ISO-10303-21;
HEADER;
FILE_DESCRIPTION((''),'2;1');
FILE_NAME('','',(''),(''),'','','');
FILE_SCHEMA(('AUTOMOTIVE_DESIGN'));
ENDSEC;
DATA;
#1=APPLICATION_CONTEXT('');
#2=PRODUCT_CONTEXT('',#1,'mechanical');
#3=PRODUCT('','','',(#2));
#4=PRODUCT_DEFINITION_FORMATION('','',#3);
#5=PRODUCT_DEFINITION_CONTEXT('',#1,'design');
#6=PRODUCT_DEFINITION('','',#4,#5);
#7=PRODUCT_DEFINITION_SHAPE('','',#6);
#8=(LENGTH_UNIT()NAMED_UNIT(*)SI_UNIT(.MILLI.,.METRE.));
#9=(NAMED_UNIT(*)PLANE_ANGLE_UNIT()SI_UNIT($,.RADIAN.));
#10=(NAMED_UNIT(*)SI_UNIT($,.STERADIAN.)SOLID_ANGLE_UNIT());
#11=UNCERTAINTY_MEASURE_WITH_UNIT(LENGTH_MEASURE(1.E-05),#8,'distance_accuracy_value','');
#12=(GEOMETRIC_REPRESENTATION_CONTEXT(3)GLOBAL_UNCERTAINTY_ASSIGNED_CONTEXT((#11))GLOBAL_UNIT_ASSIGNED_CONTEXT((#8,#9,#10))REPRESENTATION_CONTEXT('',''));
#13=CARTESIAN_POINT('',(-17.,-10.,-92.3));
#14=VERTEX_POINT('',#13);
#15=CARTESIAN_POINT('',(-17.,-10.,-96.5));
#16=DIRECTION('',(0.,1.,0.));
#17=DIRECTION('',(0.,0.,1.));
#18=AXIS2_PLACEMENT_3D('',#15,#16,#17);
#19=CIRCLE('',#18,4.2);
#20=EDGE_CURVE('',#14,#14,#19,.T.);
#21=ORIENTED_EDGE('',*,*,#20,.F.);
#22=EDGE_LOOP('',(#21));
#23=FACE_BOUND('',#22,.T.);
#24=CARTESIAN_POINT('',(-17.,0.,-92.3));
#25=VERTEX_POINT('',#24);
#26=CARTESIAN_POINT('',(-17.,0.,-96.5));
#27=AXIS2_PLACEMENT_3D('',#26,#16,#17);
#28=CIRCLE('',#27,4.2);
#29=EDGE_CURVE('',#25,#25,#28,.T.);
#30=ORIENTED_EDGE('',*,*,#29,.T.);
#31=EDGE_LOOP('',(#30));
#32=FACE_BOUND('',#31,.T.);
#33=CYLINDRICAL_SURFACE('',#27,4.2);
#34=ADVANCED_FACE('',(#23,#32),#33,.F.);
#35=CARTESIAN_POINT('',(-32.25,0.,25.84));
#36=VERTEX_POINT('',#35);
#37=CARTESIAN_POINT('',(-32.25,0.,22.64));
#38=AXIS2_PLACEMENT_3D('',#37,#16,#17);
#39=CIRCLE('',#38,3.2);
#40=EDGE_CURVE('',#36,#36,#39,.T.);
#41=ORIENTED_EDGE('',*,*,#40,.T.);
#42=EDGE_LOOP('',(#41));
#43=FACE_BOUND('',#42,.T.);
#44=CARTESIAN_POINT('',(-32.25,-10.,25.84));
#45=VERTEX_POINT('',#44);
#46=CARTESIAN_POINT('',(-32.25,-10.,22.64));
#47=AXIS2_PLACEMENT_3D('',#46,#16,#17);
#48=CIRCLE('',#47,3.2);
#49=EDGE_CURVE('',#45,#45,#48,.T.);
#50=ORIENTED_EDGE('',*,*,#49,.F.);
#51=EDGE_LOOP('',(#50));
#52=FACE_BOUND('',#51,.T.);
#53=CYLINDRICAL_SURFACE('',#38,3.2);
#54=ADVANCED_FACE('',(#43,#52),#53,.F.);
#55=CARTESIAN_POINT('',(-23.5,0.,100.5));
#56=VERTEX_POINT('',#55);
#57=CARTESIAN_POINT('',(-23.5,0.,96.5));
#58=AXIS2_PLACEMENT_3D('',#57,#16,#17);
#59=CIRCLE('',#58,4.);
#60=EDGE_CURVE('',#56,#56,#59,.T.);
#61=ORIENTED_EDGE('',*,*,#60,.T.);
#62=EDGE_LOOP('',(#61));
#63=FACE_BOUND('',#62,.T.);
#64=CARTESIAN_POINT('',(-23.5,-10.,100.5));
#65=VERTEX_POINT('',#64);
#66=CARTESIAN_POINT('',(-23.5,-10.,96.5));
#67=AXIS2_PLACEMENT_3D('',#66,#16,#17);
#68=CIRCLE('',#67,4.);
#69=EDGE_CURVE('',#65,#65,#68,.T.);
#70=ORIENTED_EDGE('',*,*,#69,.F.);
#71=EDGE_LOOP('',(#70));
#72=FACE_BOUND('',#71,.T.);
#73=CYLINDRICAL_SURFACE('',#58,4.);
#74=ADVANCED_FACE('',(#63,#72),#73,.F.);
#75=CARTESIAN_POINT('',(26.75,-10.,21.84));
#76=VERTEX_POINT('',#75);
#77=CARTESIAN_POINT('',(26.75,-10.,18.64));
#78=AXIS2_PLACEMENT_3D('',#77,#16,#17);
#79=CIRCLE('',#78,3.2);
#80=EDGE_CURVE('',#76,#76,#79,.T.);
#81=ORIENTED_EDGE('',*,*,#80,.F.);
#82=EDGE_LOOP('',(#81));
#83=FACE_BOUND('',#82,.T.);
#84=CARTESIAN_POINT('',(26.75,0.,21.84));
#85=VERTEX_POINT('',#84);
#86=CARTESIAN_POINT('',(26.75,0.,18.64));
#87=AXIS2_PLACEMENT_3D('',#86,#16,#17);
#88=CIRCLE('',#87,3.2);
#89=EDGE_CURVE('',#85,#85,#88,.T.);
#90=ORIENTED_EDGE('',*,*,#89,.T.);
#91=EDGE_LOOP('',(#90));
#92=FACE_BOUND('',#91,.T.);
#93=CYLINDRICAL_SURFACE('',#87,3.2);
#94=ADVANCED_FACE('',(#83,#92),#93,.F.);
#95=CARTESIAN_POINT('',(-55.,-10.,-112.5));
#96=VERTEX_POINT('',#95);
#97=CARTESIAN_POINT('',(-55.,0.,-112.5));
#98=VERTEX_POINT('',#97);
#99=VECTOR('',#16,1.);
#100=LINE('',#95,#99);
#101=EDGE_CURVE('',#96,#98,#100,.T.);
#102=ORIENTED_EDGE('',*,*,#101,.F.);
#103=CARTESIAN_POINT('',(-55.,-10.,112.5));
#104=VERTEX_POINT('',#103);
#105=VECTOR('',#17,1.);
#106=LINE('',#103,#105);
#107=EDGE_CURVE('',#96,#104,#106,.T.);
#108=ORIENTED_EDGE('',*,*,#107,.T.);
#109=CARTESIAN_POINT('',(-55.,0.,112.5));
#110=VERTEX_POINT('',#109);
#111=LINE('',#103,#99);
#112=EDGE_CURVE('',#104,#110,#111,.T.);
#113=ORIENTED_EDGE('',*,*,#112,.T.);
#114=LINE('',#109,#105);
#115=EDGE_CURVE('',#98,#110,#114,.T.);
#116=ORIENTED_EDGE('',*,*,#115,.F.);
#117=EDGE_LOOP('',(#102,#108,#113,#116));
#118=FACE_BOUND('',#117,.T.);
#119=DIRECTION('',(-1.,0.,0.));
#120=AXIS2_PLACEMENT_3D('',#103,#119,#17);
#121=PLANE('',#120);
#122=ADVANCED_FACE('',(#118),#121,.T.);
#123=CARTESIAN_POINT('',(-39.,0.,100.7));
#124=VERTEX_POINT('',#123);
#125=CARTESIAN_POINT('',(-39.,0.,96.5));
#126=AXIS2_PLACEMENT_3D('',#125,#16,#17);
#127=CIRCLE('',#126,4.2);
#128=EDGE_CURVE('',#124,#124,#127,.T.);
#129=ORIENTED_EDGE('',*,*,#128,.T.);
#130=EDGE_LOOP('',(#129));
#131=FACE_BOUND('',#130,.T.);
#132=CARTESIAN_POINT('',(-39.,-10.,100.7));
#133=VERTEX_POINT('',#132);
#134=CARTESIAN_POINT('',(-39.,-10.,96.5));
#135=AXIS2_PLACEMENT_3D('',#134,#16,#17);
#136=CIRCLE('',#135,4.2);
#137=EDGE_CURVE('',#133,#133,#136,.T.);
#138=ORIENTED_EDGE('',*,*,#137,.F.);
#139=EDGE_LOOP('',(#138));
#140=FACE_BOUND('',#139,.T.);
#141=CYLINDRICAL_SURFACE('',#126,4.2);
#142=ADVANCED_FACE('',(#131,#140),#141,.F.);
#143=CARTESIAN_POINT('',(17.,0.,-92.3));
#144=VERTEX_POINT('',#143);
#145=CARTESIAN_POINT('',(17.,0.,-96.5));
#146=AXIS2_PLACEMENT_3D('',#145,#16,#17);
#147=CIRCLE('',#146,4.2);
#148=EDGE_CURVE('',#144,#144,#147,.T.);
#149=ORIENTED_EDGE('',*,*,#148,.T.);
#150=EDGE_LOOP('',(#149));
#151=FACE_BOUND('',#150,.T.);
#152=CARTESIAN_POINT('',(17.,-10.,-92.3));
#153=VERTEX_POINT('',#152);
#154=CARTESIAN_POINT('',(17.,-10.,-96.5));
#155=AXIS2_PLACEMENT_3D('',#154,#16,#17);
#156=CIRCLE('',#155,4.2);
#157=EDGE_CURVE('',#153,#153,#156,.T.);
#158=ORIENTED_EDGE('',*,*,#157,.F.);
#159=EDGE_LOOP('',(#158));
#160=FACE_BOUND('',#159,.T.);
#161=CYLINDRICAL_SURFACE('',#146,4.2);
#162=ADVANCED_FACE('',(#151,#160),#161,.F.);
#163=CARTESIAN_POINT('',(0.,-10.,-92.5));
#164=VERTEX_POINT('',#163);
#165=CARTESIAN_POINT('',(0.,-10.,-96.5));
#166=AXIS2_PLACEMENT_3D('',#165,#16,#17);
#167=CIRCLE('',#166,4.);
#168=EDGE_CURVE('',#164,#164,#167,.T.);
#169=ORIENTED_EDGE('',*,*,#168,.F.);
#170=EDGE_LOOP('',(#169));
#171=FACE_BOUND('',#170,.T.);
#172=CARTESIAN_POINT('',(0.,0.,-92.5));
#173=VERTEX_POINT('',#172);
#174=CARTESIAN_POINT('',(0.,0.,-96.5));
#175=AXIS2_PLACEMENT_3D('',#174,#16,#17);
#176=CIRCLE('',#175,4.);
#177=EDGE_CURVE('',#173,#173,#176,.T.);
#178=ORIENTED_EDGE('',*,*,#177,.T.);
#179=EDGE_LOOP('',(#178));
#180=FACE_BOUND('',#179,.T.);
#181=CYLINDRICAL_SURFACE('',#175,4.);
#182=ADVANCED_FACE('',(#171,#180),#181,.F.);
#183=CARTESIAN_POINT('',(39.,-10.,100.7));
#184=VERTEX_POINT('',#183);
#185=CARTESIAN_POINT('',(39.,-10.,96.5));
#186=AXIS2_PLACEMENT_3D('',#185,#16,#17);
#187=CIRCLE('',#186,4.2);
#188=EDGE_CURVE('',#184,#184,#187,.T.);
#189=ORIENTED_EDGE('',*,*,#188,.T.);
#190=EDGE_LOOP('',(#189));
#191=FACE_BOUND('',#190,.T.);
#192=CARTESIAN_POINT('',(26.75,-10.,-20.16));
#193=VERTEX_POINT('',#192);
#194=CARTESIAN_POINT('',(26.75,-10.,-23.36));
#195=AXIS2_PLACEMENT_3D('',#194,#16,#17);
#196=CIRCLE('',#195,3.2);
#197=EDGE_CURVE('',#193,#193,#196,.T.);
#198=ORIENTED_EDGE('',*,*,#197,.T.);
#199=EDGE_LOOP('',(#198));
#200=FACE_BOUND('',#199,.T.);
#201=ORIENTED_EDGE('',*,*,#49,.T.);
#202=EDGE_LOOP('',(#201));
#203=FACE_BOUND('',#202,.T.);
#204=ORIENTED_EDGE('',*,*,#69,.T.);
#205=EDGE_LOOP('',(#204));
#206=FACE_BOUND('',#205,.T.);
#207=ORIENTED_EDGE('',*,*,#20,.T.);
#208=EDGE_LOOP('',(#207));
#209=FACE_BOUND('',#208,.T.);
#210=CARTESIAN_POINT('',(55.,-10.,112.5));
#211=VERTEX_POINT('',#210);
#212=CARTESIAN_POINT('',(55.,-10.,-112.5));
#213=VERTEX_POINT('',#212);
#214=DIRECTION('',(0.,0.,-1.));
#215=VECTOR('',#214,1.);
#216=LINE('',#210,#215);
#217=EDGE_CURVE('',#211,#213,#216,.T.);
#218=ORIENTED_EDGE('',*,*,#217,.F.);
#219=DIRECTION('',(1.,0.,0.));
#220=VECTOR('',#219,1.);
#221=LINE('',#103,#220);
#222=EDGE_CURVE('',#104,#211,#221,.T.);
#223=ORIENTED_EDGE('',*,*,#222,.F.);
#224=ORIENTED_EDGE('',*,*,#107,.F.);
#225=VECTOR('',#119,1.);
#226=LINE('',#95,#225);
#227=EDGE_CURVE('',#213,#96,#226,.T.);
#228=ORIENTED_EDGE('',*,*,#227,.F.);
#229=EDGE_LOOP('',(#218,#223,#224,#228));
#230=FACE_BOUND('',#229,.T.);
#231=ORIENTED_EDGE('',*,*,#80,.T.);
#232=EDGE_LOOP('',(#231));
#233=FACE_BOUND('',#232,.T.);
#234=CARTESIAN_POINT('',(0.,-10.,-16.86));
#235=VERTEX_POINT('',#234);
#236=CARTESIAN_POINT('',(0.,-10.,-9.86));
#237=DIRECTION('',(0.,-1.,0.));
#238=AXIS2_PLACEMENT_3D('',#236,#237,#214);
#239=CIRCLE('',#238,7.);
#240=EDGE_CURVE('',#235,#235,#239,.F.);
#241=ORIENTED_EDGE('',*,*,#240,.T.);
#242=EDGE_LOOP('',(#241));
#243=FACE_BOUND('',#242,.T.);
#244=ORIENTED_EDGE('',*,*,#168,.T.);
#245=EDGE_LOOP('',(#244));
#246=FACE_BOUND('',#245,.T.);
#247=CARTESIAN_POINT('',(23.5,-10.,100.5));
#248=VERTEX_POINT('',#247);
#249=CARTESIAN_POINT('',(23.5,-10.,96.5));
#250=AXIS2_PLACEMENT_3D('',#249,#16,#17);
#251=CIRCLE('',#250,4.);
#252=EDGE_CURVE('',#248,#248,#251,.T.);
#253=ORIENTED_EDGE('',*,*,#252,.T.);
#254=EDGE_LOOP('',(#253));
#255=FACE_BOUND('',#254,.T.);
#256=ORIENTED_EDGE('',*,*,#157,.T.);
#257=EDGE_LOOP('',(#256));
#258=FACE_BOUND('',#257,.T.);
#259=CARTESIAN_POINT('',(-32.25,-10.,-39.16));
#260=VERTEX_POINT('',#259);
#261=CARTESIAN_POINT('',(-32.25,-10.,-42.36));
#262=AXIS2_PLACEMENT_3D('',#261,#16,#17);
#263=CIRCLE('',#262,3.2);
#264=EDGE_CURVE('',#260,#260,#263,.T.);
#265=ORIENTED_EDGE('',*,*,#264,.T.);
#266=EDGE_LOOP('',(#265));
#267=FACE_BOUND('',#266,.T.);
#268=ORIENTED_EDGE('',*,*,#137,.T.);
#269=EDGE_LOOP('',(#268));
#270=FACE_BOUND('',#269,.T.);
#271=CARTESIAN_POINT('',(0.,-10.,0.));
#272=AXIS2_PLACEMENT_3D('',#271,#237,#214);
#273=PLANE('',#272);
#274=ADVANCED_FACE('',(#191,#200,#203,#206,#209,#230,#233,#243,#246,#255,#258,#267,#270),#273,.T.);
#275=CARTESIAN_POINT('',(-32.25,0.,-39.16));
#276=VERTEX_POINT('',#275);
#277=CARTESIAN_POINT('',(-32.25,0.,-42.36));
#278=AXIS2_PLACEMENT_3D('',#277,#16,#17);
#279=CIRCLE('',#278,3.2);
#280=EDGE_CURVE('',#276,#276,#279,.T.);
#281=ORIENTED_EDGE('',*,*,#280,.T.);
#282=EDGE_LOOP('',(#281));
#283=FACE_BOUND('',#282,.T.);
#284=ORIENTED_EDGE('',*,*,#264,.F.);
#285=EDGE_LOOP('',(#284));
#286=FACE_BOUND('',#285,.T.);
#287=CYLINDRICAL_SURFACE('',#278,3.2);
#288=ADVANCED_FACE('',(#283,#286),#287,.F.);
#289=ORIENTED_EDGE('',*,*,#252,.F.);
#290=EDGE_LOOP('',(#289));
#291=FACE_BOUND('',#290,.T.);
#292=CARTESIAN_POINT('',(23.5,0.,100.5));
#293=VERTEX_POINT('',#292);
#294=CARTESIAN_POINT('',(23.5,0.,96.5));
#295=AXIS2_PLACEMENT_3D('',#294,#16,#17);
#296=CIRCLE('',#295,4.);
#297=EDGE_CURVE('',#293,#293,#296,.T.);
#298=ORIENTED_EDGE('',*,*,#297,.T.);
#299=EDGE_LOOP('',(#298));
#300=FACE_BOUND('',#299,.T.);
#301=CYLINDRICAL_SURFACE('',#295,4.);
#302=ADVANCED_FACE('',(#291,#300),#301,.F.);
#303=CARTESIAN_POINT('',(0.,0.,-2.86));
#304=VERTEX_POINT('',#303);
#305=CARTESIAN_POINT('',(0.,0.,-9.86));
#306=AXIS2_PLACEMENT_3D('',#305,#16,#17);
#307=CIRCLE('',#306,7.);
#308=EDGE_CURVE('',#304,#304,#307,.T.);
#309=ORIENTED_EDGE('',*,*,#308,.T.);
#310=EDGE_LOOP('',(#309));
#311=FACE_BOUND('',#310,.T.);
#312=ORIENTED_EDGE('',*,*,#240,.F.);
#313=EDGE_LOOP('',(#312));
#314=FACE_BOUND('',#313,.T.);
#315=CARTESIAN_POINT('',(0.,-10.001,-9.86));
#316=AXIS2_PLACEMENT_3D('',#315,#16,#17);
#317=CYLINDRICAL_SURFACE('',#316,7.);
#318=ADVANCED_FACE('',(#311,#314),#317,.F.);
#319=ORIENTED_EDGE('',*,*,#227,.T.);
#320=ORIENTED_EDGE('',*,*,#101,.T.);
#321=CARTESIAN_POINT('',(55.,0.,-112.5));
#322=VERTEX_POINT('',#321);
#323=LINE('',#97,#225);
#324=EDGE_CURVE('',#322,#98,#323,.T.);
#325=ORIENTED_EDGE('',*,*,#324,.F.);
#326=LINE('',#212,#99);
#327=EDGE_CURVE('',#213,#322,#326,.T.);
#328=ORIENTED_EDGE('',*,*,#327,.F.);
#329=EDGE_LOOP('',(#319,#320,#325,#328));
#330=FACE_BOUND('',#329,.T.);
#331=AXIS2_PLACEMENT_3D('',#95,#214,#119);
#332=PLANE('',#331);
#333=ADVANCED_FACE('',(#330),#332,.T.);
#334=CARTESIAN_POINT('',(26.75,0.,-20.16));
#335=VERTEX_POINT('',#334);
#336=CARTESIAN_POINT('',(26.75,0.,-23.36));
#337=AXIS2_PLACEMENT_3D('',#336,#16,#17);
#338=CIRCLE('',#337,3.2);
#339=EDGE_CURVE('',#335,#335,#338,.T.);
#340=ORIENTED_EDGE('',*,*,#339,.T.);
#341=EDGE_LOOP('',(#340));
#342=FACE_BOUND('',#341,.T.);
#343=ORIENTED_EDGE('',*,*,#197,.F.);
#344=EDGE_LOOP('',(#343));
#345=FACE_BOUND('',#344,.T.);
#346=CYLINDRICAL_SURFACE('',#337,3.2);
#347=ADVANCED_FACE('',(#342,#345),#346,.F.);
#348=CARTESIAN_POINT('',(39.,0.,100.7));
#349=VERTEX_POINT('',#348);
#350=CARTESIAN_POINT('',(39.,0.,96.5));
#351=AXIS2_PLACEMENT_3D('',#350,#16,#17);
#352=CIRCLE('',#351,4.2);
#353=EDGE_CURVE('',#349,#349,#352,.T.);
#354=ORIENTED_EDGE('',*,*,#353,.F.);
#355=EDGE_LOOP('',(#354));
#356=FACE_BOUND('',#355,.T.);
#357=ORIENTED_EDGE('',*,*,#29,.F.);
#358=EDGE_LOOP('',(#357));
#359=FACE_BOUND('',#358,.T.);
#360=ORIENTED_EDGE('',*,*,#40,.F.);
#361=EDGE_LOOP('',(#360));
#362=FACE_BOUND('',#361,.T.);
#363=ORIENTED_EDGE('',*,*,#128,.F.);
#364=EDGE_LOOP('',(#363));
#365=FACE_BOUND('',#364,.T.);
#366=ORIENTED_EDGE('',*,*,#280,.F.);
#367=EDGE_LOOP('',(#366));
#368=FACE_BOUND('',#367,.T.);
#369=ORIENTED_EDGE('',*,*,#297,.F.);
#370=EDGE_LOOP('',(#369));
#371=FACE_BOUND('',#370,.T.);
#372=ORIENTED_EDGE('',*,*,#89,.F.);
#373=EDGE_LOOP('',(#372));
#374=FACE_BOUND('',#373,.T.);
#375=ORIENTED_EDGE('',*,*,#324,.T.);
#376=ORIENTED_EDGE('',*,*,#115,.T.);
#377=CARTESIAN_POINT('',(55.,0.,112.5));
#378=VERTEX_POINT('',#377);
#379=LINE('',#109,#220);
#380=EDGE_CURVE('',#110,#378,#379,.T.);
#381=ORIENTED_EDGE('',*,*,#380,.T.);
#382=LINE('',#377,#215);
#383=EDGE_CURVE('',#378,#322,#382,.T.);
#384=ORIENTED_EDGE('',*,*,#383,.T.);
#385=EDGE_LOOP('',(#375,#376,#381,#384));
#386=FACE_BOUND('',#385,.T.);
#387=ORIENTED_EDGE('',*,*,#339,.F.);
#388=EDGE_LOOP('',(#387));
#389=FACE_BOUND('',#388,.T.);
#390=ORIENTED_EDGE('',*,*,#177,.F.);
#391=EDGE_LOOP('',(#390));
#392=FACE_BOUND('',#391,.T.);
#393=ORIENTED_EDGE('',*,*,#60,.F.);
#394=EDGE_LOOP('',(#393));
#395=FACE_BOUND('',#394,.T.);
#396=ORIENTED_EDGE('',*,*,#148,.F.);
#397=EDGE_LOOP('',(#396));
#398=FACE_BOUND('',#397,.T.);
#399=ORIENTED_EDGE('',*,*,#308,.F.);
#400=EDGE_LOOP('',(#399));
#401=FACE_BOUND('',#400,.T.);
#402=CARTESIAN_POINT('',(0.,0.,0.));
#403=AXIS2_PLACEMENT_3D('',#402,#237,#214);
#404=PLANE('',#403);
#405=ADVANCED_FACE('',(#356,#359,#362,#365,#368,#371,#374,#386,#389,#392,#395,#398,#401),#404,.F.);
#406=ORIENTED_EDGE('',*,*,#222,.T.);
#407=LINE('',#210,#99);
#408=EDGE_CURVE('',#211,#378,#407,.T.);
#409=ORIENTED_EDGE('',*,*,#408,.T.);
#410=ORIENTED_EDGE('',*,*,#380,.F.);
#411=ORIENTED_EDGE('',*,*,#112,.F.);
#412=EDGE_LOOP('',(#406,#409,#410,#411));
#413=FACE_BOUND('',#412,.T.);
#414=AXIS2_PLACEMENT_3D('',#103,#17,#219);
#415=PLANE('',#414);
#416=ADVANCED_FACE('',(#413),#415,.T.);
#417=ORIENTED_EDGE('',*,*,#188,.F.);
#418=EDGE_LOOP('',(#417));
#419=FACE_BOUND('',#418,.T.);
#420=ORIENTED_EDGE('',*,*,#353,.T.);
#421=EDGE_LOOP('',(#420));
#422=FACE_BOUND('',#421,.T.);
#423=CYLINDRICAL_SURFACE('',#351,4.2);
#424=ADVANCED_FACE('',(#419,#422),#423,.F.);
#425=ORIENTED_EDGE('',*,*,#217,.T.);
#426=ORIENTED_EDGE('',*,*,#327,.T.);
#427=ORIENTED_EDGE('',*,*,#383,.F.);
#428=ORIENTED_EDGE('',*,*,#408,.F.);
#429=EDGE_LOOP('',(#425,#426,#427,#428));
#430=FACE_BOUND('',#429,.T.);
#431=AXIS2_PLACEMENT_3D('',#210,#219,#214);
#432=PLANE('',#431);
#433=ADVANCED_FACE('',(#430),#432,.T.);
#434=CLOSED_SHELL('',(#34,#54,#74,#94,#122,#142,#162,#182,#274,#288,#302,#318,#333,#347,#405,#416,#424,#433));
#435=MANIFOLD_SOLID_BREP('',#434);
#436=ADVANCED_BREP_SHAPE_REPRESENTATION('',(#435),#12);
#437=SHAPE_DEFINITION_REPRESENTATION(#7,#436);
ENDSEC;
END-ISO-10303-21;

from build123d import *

# Parameters (mm, degrees)
SKETCH1_W             = 110
SKETCH1_H             = 225
BOSS_EXTRUDE1_DEPTH   = 10
M8_CLEARANCE_HOLE1_D  = 8.4
F_8_0MM_DOWEL_HOLE1_D = 8
CUT_EXTRUDE1_REACH    = 127.623
SKETCH8_R             = 7
M6_CLEARANCE_HOLE1_D  = 6.4


with BuildPart() as part:
    # Sketch1 → Boss-Extrude1 (new body)
    with BuildSketch(Plane(origin=(0, 0, 0), x_dir=(1, 0, 0), z_dir=(0, 1, 0))):
        Rectangle(SKETCH1_W, SKETCH1_H)
    extrude(amount=-BOSS_EXTRUDE1_DEPTH)

    # M8 Clearance Hole1 (through all)
    with Locations(Plane(origin=(0, 0, 0), x_dir=(1, 0, 0), z_dir=(0, 1, 0))):
        with Locations((-17, 96.5), (17, 96.5), (-39, -96.5), (39, -96.5)):
            Hole(M8_CLEARANCE_HOLE1_D / 2)

    # Ø8.0mm Dowel Hole1 (through all)
    with Locations(Plane(origin=(0, 0, 0), x_dir=(1, 0, 0), z_dir=(0, 1, 0))):
        with Locations((0, 96.5), (-23.5, -96.5), (23.5, -96.5)):
            Hole(F_8_0MM_DOWEL_HOLE1_D / 2)

    # Sketch8 → Cut-Extrude1 (cut, up to next)
    with BuildSketch(Plane(origin=(0, 0, 0), x_dir=(1, 0, 0), z_dir=(0, 1, 0)), mode=Mode.PRIVATE) as cut_extrude1_sk1:
        with Locations(Location((0, 9.86, 0), (0, 0, 270))):
            Circle(SKETCH8_R)
    cut_extrude1_tool1 = extrude(cut_extrude1_sk1.sketch, amount=-CUT_EXTRUDE1_REACH, mode=Mode.PRIVATE) & part.part
    add(cut_extrude1_tool1.solids().sort_by_distance((0, 0, -9.86))[0], mode=Mode.SUBTRACT)

    # M6 Clearance Hole1 (through all)
    with Locations(Plane(origin=(0, 0, 0), x_dir=(1, 0, 0), z_dir=(0, 1, 0))):
        with Locations((26.75, 23.36), (26.75, -18.64), (-32.25, 42.36), (-32.25, -22.64)):
            Hole(M6_CLEARANCE_HOLE1_D / 2)


solid = part.part
